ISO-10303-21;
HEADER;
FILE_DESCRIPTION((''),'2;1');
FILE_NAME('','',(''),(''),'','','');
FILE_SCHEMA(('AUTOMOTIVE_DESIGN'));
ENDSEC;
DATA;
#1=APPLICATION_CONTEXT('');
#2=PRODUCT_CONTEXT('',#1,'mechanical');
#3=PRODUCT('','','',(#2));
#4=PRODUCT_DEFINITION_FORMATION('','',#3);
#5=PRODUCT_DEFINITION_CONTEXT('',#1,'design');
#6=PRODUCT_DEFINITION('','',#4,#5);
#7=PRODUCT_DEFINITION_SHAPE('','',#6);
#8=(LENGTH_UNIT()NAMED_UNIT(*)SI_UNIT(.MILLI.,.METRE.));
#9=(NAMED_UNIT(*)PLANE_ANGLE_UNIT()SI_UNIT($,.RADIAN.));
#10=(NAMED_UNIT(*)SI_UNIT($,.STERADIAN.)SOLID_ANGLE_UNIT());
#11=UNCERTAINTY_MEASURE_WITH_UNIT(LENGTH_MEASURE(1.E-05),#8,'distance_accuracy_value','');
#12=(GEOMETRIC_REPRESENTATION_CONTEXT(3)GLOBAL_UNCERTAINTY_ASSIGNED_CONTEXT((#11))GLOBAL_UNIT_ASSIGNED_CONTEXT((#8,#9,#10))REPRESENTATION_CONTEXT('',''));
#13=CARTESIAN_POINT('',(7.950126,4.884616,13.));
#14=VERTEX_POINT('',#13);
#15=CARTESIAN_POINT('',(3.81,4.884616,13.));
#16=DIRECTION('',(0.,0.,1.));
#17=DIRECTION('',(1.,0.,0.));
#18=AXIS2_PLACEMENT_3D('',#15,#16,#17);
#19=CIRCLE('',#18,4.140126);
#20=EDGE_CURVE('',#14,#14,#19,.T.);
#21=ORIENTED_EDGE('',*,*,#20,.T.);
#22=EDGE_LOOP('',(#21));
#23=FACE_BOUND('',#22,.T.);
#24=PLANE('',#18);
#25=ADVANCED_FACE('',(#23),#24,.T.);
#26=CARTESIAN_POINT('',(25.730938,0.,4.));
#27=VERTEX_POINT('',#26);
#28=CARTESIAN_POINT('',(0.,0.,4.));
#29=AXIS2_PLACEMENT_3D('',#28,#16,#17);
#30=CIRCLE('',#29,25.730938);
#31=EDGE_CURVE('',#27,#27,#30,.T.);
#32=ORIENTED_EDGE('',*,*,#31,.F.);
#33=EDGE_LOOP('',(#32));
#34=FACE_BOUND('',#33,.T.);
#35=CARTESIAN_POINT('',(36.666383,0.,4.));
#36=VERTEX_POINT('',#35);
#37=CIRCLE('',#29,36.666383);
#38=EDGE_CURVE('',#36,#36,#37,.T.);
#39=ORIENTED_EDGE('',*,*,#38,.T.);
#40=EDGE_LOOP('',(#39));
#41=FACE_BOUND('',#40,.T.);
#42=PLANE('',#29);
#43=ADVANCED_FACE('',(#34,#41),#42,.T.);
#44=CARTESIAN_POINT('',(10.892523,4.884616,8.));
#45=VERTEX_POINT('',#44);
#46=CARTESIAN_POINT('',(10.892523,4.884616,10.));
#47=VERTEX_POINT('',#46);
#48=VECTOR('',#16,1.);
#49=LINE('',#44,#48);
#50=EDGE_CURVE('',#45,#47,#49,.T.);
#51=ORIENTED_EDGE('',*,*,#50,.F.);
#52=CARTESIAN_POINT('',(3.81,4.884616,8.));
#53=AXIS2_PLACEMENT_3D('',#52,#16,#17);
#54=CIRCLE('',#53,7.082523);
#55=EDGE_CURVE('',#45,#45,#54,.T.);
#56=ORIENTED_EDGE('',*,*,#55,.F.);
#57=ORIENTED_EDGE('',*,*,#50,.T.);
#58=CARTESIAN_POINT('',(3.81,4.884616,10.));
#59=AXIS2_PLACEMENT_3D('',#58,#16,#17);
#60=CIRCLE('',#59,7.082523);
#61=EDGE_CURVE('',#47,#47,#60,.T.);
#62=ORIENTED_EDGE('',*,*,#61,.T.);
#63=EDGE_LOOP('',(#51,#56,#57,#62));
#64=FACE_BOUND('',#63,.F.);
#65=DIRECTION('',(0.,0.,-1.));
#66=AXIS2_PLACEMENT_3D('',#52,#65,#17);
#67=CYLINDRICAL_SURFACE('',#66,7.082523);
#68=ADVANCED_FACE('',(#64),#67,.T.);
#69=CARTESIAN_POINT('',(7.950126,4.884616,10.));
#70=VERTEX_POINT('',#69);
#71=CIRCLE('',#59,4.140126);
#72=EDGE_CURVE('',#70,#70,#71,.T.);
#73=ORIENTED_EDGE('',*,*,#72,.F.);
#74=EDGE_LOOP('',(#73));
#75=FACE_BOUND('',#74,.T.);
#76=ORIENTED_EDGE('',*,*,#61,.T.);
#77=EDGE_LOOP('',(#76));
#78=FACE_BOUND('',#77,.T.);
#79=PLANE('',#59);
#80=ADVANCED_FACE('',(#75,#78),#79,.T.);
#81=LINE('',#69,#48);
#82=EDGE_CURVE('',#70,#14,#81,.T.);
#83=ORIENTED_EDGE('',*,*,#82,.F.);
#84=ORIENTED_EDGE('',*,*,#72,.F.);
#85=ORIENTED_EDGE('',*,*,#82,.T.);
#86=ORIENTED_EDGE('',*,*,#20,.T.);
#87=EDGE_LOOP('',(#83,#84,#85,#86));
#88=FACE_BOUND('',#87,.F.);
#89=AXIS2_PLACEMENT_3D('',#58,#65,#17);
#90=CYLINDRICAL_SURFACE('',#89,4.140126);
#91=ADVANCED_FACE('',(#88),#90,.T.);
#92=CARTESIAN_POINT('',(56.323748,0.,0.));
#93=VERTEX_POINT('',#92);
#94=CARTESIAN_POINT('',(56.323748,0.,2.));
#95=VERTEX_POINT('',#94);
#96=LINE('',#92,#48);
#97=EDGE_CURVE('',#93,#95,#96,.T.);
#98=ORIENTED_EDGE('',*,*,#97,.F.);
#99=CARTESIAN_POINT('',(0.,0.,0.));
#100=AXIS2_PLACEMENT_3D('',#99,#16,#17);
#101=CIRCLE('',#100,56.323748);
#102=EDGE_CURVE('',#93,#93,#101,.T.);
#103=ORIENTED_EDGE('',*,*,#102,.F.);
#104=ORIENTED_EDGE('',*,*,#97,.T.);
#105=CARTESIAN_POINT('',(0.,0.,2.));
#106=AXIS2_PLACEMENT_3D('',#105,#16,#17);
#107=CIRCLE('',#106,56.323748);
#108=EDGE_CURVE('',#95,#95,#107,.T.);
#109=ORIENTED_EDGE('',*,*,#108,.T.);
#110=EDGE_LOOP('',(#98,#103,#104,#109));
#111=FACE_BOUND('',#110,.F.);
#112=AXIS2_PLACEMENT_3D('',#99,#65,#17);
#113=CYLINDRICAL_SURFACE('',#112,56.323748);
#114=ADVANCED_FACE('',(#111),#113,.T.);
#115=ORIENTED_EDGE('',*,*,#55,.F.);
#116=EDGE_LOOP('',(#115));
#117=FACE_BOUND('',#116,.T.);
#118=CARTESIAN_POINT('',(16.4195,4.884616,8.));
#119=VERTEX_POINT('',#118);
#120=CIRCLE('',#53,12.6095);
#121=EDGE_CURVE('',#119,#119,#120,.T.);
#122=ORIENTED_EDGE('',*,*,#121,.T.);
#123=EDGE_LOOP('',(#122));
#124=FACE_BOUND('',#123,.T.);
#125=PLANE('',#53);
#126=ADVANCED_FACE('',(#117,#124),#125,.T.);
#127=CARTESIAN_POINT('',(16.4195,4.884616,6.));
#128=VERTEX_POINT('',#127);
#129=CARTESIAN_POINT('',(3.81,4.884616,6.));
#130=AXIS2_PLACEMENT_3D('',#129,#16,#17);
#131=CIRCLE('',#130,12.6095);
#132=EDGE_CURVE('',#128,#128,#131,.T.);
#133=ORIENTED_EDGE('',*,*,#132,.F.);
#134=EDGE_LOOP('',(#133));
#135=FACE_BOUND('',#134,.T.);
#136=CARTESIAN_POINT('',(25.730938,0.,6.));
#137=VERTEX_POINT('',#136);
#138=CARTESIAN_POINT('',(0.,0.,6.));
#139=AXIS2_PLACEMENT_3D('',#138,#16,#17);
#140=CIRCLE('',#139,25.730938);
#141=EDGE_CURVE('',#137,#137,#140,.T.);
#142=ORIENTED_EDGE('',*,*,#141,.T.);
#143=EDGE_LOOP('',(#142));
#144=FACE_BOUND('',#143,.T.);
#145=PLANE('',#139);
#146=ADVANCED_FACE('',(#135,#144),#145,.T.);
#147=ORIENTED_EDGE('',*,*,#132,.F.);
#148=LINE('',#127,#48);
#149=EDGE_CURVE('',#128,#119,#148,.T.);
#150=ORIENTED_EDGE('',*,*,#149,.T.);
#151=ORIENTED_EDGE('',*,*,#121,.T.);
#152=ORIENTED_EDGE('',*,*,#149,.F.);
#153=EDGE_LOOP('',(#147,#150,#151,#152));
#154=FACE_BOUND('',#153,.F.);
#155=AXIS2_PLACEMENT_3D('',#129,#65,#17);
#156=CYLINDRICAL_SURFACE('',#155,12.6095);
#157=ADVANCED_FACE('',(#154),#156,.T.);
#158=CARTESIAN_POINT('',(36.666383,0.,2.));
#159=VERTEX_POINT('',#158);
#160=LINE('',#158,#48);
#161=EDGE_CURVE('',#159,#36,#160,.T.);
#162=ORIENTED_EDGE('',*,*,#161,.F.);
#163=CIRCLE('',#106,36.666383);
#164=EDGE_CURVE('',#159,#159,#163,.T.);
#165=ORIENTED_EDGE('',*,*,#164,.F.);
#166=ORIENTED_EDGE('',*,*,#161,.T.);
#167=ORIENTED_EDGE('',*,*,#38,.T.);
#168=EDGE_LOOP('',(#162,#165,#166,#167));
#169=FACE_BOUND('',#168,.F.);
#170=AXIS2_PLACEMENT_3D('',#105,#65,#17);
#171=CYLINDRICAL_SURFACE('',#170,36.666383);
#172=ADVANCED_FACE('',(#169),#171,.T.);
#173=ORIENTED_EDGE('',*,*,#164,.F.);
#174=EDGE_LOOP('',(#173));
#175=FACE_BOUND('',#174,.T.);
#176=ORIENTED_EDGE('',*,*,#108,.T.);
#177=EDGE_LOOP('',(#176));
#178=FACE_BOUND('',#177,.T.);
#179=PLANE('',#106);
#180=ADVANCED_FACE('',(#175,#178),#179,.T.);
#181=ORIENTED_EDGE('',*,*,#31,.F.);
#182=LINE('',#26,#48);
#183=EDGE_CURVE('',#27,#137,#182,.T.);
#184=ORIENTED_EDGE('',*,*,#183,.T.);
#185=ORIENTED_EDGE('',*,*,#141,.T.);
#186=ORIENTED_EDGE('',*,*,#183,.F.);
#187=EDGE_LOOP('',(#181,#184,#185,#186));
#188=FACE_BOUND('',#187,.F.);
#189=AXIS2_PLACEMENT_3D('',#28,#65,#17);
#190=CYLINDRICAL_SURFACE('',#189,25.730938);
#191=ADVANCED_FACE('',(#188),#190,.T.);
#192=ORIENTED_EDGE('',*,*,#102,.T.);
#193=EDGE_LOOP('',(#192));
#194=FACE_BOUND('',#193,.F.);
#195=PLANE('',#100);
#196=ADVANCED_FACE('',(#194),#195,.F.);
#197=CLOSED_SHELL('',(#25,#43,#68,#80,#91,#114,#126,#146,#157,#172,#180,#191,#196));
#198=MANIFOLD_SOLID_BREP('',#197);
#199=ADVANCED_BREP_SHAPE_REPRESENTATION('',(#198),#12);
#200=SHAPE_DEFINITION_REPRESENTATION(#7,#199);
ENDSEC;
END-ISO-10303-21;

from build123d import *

# Parameters (mm, degrees)
F0_R      = 56.323748
F1_DEPTH  = 2
F2_R      = 36.666383
F3_DEPTH  = 2
F4_R      = 25.730938
F5_DEPTH  = 2
F6_R      = 12.6095
F7_DEPTH  = 2
F8_R      = 7.082523
F9_DEPTH  = 2
F10_R     = 4.140126
F11_DEPTH = 3


with BuildPart() as f1:
    # F0 (on Top) → F1 (new body)
    with BuildSketch(Plane.XY):
        Circle(F0_R)
    extrude(amount=F1_DEPTH)

    # F2 (on face) → F3 (join)
    with BuildSketch(Plane.XY.offset(2)):
        Circle(F2_R)
    extrude(amount=F3_DEPTH)

    # F4 (on face) → F5 (join)
    with BuildSketch(Plane.XY.offset(4)):
        Circle(F4_R)
    extrude(amount=F5_DEPTH)

    # F6 (on face) → F7 (join)
    with BuildSketch(Plane.XY.offset(6)):
        with Locations((3.81, 4.884616)):
            Circle(F6_R)
    extrude(amount=F7_DEPTH)

    # F8 (on face) → F9 (join)
    with BuildSketch(Plane.XY.offset(8)):
        with Locations((3.81, 4.884616)):
            Circle(F8_R)
    extrude(amount=F9_DEPTH)

    # F10 (on face) → F11 (join)
    with BuildSketch(Plane.XY.offset(10)):
        with Locations((3.81, 4.884616)):
            Circle(F10_R)
    extrude(amount=F11_DEPTH)


solid = f1.part
